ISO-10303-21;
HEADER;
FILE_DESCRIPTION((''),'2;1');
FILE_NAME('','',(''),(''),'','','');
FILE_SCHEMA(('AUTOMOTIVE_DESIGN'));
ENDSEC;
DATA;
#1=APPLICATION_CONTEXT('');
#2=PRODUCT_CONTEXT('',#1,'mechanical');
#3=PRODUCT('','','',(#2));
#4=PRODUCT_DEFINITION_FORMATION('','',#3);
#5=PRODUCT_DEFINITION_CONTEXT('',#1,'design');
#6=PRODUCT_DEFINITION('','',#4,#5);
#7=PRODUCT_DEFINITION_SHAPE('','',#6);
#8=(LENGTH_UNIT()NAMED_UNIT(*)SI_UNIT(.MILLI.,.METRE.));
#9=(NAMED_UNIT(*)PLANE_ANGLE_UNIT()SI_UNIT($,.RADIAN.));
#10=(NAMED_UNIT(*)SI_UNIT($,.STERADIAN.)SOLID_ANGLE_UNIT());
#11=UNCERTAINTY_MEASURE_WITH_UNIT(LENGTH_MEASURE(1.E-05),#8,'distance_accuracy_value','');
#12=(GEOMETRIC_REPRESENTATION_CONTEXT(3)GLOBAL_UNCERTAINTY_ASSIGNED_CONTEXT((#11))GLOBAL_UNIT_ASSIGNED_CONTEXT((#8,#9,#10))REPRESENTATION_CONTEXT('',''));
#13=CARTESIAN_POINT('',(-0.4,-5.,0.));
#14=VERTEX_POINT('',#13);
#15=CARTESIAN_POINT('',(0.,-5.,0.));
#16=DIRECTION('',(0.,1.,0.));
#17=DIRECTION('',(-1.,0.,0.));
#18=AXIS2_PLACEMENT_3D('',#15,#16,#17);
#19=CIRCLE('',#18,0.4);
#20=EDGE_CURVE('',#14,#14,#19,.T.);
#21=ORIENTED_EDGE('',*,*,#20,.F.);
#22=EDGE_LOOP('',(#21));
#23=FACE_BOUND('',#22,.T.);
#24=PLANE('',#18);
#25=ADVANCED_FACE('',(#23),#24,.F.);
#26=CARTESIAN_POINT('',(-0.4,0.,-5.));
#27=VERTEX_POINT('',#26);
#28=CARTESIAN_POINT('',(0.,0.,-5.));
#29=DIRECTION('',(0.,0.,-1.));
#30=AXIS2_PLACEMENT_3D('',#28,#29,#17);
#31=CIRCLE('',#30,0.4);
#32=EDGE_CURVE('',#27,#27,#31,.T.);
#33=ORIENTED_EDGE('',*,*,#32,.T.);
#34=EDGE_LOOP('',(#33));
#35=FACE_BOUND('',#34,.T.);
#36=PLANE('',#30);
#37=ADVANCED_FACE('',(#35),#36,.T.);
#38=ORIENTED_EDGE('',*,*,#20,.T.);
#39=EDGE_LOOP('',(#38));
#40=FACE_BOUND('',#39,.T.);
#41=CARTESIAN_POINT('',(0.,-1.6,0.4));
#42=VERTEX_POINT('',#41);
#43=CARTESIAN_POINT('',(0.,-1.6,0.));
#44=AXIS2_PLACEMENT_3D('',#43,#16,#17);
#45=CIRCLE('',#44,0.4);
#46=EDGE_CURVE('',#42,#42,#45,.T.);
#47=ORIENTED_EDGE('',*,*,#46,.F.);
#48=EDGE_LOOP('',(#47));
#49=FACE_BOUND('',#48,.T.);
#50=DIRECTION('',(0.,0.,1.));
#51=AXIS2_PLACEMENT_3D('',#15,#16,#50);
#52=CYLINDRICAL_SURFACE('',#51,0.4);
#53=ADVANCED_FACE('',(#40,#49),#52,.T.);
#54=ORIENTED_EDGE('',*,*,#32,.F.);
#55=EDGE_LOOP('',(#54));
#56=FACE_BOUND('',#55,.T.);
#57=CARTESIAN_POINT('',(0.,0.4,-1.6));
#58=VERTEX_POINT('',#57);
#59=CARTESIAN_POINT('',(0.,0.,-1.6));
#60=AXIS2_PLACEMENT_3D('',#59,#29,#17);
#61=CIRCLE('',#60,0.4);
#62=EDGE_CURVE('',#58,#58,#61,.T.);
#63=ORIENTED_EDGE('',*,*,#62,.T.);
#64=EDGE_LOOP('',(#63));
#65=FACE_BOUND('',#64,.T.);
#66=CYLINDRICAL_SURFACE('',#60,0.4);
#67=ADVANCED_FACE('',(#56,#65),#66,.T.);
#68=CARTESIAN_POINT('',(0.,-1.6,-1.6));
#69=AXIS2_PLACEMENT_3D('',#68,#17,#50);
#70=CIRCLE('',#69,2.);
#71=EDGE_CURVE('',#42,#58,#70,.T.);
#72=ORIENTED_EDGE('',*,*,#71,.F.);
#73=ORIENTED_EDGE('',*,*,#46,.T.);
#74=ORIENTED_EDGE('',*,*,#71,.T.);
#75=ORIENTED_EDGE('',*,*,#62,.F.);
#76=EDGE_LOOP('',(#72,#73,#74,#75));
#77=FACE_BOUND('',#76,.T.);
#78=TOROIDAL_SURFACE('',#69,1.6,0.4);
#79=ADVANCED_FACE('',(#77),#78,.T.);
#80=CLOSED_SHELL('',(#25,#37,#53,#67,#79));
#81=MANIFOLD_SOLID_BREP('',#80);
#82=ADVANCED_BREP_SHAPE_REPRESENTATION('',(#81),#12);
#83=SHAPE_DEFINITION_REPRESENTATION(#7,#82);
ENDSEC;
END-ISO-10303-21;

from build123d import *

# Parameters (mm, degrees)
SKETCH_2_R = 0.4


with BuildPart() as part:
    # По траектории1: sweep along a path in Эскиз1
    with BuildLine(Plane(origin=(0, 0, 0), x_dir=(0, 0, -1), z_dir=(1, 0, 0))) as sweep_1_path:
        Line((5, 0), (1.6, 0))
        ThreePointArc((1.6, 0), (0.46862915, -0.46862915), (0, -1.6))
        Line((0, -1.6), (0, -5))
    # Эскиз2 → По траектории1 (sweep)
    with BuildSketch(Plane(origin=(0, 0, -5), x_dir=(-1, 0, 0), z_dir=(0, 0, -1))):
        Circle(SKETCH_2_R)
    sweep(path=sweep_1_path.line)


solid = part.part
